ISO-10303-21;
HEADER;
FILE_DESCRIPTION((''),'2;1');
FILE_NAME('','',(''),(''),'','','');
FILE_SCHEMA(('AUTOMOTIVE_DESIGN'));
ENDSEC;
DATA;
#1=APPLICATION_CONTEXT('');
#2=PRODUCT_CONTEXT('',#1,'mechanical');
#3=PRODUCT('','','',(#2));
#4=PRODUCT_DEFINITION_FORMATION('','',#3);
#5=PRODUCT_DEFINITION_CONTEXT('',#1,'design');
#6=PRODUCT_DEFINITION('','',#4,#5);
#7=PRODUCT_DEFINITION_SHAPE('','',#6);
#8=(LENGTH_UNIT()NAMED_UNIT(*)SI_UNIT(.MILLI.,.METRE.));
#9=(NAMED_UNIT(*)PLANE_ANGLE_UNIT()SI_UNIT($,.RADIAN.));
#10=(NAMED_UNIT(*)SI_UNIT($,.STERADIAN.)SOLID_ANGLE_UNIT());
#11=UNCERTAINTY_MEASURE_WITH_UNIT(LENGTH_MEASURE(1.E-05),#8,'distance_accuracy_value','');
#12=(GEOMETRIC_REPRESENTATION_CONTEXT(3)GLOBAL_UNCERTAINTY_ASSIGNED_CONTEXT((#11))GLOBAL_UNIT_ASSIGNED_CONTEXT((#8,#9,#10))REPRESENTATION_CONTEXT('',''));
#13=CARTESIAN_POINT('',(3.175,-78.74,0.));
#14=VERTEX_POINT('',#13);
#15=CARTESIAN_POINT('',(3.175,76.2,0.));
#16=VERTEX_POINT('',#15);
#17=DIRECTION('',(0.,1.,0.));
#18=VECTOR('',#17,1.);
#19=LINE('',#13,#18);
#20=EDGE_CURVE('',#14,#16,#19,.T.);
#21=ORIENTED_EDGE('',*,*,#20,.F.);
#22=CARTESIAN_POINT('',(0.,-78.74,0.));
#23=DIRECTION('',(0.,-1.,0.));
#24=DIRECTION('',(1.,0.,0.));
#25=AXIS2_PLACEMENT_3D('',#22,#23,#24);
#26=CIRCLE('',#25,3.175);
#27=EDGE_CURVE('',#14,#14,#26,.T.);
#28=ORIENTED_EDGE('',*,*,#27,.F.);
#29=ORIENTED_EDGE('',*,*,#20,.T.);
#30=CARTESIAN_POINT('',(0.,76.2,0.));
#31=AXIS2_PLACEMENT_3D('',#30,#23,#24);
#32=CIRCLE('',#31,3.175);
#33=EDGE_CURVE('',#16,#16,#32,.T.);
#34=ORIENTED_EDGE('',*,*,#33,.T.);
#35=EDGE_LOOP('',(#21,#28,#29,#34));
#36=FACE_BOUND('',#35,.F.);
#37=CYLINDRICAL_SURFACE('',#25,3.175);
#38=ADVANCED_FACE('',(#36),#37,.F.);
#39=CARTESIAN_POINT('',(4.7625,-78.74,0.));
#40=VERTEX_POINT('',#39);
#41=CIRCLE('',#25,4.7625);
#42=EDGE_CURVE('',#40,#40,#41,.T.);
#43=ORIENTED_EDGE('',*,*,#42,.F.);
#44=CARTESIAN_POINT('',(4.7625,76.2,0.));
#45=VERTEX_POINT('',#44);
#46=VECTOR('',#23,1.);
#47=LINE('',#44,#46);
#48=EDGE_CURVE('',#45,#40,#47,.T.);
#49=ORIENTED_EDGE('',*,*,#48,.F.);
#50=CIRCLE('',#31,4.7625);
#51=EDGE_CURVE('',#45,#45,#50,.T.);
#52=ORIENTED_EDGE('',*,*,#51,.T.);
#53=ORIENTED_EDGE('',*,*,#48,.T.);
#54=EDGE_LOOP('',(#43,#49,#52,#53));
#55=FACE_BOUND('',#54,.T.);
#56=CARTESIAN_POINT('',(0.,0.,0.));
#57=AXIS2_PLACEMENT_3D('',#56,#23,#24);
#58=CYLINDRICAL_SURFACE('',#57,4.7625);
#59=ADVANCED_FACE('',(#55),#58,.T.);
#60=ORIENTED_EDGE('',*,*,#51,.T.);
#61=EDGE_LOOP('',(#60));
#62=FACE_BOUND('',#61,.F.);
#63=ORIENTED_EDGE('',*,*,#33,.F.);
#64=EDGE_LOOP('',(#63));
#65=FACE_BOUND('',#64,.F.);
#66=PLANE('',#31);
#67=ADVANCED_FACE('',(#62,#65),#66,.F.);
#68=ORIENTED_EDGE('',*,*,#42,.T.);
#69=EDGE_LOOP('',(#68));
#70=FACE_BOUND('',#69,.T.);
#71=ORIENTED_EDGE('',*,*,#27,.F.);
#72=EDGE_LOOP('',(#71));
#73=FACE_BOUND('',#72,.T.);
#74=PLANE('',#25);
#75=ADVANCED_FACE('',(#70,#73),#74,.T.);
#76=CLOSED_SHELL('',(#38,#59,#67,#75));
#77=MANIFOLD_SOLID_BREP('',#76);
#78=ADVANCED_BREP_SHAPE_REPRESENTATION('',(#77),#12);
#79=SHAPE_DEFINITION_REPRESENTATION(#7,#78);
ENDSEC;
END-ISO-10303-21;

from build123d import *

# Parameters (mm, degrees)
F0_R          = 4.7625
F1_DEPTH      = 78.74
F1_DEPTH_BACK = 76.2
F2_R          = 3.175
F3_DEPTH      = 255.016


with BuildPart() as f1:
    # F0 (on Front) → F1 (new body, two sides)
    with BuildSketch(Plane.XZ) as f1_sk:
        Circle(F0_R)
    extrude(amount=F1_DEPTH)
    extrude(f1_sk.sketch, amount=-F1_DEPTH_BACK)

    # F2 (on face) → F3 (cut)
    with BuildSketch(Plane.XZ.offset(78.74)):
        Circle(F2_R)
    extrude(amount=-F3_DEPTH, mode=Mode.SUBTRACT)


solid = f1.part
